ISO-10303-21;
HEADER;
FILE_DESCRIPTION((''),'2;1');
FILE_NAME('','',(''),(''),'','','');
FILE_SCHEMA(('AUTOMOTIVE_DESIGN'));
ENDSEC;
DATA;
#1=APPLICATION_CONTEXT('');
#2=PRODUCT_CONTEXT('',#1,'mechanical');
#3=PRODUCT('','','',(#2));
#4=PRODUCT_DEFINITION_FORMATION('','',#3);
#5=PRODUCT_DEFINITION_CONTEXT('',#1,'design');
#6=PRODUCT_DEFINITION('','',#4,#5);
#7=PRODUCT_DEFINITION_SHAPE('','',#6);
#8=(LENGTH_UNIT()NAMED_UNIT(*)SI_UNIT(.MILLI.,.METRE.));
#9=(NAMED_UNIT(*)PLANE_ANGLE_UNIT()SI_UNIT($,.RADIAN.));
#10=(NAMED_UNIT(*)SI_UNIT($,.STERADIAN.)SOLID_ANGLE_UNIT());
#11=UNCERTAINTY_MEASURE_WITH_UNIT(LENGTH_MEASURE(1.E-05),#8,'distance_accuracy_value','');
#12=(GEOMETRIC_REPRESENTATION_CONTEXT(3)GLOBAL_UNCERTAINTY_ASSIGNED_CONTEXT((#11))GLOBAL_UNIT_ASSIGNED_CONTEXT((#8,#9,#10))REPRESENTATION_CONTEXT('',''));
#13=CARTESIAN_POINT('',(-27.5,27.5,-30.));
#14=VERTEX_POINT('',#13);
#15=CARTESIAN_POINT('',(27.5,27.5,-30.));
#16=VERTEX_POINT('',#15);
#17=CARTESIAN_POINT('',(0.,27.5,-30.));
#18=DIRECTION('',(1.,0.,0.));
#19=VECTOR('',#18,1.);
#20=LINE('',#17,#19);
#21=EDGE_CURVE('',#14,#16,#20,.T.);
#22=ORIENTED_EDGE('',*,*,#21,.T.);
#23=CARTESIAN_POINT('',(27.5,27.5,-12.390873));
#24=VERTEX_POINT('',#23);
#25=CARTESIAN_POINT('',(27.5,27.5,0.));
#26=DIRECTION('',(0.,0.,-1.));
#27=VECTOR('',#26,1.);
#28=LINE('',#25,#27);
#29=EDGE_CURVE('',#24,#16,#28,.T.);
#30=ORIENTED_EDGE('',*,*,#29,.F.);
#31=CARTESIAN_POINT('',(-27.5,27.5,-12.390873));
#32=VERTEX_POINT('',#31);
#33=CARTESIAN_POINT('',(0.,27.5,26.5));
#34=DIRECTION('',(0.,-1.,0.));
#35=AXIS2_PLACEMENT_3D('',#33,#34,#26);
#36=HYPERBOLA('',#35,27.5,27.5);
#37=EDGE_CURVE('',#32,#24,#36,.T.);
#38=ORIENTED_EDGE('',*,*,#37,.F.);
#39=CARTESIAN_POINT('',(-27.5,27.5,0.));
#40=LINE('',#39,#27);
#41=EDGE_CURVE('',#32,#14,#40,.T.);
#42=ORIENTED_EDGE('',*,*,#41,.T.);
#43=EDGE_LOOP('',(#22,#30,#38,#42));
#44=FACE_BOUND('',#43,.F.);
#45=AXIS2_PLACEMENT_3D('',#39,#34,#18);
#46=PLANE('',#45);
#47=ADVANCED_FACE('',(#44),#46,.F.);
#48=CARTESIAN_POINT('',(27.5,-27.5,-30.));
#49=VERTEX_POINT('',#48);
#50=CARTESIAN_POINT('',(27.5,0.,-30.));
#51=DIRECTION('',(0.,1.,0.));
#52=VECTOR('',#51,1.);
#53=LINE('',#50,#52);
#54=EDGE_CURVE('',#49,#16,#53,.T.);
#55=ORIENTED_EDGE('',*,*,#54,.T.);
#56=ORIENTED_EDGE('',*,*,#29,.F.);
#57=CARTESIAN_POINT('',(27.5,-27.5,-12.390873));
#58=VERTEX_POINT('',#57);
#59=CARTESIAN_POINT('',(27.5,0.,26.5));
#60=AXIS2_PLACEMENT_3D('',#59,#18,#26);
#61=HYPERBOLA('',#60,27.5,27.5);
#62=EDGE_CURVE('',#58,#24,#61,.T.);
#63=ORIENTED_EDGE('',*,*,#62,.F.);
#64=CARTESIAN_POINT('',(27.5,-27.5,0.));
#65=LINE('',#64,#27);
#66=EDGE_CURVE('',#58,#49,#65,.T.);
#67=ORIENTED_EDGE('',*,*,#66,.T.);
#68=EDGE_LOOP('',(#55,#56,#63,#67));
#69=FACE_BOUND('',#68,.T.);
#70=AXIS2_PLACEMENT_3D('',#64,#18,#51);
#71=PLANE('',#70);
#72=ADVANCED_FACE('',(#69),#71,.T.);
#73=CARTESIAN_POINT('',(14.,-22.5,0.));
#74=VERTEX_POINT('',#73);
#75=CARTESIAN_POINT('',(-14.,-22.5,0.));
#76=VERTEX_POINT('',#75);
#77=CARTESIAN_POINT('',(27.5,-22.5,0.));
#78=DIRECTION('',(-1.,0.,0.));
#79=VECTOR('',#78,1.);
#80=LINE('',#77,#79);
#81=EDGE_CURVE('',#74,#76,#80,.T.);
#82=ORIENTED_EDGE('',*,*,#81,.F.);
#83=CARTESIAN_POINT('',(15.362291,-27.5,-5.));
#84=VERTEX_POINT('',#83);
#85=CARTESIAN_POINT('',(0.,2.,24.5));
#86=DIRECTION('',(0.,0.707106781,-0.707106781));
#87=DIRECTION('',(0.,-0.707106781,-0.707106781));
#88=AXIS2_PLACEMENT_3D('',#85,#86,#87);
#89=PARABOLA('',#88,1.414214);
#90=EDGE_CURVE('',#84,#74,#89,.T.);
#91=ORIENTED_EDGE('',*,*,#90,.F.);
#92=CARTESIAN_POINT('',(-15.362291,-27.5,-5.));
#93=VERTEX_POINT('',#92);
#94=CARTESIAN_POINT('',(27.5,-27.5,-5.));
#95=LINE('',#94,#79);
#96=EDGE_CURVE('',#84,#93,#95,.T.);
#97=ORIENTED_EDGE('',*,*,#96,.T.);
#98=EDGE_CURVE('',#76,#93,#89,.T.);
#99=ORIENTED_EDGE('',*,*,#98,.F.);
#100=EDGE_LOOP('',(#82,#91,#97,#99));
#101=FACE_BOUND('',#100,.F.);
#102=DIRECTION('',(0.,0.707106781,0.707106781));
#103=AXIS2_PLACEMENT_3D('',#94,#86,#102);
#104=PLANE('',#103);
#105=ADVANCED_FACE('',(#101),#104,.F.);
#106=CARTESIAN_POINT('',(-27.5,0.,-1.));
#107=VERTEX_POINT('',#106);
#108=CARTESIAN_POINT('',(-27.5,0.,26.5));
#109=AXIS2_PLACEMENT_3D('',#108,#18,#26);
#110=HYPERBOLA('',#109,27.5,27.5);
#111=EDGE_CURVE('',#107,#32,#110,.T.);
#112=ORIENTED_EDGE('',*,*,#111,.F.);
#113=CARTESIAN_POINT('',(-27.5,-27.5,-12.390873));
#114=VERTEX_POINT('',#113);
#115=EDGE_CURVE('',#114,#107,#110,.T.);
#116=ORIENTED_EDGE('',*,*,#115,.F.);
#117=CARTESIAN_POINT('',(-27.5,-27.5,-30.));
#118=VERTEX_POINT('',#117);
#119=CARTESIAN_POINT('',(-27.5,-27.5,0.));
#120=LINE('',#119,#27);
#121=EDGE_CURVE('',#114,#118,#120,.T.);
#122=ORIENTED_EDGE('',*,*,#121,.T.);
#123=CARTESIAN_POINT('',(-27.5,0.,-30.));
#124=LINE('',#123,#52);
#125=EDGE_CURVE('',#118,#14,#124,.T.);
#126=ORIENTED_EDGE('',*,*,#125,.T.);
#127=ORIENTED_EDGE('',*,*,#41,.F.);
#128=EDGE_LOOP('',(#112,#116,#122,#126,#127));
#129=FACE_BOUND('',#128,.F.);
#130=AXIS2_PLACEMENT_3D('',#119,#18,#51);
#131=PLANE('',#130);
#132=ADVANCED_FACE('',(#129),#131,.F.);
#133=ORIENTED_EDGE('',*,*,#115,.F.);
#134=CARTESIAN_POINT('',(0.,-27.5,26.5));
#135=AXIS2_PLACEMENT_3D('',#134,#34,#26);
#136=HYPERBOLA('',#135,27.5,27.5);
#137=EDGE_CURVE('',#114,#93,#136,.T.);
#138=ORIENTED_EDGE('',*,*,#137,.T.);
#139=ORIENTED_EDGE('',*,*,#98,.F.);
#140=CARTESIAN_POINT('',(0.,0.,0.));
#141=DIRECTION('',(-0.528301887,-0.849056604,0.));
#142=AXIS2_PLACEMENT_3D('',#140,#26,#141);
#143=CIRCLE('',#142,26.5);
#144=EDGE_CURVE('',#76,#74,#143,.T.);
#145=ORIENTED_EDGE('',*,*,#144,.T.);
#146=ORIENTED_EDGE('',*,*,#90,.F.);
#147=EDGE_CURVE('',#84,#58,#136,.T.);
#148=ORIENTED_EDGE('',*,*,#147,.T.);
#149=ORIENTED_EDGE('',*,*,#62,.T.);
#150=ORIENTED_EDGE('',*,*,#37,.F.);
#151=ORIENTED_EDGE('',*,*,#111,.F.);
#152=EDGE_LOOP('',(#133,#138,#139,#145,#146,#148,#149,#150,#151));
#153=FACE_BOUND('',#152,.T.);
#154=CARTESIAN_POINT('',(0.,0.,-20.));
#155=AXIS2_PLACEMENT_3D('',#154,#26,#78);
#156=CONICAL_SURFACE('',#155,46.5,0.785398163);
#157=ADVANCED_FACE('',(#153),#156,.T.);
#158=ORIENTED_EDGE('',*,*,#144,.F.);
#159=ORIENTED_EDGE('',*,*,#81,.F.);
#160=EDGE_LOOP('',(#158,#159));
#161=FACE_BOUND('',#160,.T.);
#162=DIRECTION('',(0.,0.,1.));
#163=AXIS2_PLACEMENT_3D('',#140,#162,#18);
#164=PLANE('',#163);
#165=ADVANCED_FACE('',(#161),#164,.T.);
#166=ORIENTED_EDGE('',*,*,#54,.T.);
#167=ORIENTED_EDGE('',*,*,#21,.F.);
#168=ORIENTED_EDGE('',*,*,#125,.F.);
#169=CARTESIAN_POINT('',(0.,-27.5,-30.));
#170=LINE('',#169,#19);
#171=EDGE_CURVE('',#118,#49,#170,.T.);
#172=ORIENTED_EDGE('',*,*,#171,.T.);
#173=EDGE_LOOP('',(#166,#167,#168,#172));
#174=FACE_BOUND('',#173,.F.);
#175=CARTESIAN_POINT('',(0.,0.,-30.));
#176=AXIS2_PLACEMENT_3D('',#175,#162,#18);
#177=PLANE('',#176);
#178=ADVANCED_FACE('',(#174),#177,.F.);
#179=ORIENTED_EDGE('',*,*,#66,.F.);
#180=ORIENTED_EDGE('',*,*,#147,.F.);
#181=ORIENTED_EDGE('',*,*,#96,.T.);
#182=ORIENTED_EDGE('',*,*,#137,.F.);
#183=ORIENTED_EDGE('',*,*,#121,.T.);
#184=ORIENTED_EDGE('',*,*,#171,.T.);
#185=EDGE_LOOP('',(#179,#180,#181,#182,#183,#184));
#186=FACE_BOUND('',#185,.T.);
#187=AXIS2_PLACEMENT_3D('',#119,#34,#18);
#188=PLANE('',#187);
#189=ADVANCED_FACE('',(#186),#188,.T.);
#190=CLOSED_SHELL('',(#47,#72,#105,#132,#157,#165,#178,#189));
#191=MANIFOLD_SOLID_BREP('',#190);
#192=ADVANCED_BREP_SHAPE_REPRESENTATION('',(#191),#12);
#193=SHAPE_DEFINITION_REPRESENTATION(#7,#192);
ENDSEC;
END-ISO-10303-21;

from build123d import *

# Parameters (mm, degrees)
CROQUIS1_W              = 55
CROQUIS1_H              = 55
SALIENTE_EXTRUIR1_DEPTH = 30
CORTAR_EXTRUIR1_REACH   = 70.42


with BuildPart() as part:
    # Croquis1 → Saliente-Extruir1 (new body)
    with BuildSketch(Plane.XY):
        Rectangle(CROQUIS1_W, CROQUIS1_H)
    extrude(amount=-SALIENTE_EXTRUIR1_DEPTH)

    # Croquis2 → Cortar-Revolución1 (revolve, cut)
    with BuildSketch(Plane(origin=(0, 0, 0), x_dir=(0, 0, -1), z_dir=(1, 0, 0)), mode=Mode.PRIVATE) as cortar_revoluci_n1_sk:
        Polygon((0, 26.5), (0, 46.5), (20, 46.5), align=None)
    revolve(cortar_revoluci_n1_sk.sketch.rotate(Axis((0, 0, 0), (0, 0, 1)), 90), axis=Axis((0, 0, 0), (0, 0, 1)), mode=Mode.SUBTRACT)

    # Croquis3 → Cortar-Extruir1 (cut, up to next)
    with BuildSketch(Plane(origin=(27.5, 0, 0), x_dir=(0, 0, -1), z_dir=(1, 0, 0)), mode=Mode.PRIVATE) as cortar_extruir1_sk1:
        Polygon((0, -22.5), (0, -27.5), (5, -27.5), align=None)
    cortar_extruir1_tool1 = extrude(cortar_extruir1_sk1.sketch, amount=-CORTAR_EXTRUIR1_REACH, mode=Mode.PRIVATE) & part.part
    add(cortar_extruir1_tool1.solids().sort_by_distance((27.5, -25.833333, -1.666667))[0], mode=Mode.SUBTRACT)


solid = part.part
